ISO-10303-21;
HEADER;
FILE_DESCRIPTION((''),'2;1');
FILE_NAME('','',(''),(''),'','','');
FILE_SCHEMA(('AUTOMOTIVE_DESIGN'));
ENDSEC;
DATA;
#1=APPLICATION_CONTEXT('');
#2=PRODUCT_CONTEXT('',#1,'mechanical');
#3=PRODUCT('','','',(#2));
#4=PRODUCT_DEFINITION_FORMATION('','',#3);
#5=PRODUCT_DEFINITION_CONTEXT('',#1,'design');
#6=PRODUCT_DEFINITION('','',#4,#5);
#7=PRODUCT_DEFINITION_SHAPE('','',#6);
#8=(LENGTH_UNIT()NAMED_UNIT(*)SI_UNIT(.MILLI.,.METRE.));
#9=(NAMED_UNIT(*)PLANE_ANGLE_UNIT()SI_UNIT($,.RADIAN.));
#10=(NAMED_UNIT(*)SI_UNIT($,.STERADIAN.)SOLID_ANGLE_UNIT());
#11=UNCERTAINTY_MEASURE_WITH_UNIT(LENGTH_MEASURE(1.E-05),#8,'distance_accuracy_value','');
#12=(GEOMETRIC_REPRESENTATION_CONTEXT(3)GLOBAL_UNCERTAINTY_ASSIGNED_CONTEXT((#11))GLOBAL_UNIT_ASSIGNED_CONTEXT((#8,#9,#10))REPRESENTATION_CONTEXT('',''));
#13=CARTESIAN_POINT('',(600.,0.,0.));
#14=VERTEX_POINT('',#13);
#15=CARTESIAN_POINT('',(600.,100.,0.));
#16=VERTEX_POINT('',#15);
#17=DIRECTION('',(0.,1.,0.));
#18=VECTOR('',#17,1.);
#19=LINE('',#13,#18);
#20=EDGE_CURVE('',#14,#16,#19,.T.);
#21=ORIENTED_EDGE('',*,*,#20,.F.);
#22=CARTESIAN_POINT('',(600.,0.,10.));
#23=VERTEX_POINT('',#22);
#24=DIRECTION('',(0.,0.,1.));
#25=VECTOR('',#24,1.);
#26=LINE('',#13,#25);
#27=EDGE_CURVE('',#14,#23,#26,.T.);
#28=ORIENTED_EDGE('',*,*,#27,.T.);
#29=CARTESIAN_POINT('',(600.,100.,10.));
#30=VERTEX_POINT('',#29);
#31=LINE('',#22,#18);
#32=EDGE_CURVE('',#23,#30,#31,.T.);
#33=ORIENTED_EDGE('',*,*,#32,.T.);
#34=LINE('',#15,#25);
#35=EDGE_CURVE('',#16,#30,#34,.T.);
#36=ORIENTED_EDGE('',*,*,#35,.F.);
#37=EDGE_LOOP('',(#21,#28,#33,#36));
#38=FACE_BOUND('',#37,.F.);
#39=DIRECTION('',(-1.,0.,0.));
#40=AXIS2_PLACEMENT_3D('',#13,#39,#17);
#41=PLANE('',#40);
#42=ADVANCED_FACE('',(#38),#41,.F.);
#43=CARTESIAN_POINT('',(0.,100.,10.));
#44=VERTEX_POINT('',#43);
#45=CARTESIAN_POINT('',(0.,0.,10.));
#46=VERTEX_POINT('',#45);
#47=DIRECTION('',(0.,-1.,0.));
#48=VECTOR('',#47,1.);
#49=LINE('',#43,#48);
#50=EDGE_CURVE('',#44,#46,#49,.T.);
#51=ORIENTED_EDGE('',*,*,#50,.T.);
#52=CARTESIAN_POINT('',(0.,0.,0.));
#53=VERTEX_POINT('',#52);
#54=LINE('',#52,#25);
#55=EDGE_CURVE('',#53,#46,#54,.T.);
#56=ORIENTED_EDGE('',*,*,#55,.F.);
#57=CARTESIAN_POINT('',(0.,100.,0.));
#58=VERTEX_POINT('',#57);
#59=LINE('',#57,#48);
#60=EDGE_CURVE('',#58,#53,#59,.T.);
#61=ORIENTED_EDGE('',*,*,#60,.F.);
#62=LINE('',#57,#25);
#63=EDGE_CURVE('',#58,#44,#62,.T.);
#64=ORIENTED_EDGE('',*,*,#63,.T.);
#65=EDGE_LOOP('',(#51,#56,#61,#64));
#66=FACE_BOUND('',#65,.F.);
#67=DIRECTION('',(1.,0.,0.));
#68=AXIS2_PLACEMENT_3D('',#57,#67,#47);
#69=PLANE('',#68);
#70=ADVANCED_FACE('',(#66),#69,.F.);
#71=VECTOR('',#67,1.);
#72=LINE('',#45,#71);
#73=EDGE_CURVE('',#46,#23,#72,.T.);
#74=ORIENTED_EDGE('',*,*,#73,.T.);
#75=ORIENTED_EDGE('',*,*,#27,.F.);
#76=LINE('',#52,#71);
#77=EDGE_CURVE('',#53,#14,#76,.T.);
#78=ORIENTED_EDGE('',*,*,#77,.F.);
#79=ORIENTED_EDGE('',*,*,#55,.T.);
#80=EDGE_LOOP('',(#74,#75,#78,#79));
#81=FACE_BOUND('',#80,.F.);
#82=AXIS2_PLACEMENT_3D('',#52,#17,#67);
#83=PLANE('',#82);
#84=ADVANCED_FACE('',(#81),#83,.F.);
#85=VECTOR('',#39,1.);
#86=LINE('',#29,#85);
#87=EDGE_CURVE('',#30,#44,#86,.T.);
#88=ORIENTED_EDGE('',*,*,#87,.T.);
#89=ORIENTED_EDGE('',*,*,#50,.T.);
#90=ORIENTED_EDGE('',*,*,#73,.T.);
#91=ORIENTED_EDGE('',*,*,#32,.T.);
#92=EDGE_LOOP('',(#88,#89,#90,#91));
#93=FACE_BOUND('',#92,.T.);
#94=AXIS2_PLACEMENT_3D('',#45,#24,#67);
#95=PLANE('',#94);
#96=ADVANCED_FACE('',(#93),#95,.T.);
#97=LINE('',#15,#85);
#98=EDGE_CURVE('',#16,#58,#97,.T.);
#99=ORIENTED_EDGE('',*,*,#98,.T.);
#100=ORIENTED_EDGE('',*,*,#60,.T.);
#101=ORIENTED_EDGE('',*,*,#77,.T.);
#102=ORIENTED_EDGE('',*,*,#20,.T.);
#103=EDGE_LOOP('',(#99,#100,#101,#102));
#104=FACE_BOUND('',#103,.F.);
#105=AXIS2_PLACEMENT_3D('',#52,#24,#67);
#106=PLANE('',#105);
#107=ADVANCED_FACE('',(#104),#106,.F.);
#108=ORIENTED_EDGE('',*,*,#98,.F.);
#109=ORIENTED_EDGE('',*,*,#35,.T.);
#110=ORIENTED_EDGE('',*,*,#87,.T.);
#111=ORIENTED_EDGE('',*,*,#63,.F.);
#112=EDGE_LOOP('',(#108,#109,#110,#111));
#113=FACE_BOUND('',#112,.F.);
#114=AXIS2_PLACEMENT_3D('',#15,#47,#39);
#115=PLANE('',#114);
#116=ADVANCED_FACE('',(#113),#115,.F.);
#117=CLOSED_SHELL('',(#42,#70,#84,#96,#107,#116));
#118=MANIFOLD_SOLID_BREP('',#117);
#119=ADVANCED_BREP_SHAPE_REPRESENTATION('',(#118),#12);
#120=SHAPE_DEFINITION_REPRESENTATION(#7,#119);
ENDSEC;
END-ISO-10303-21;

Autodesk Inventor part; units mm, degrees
ref_plane "YZ Plane" through (0, 0, 0) normal (1, 0, 0) x (0, 1, 0)
ref_plane "XZ Plane" through (0, 0, 0) normal (0, 1, 0) x (-1, 0, 0)
ref_plane "XY Plane" through (0, 0, 0) normal (0, 0, 1) x (1, 0, 0)
sketch "Skizze1" plane through (0, 0, 0) normal (0, 0, 1) x (1, 0, 0)
  line L0 (0, 0) -> (600, 0)
  line L1 (600, 0) -> (600, 100)
  line L2 (600, 100) -> (0, 100)
  line L3 (0, 100) -> (0, 0)
  dimension "d4" = 100
  dimension "d5" = 600
extrude "Extrusion1" add sketch "Skizze1" along normal blind 10
properties part number "Lid_FrontPanel" material "Polycarbonat, klar"
